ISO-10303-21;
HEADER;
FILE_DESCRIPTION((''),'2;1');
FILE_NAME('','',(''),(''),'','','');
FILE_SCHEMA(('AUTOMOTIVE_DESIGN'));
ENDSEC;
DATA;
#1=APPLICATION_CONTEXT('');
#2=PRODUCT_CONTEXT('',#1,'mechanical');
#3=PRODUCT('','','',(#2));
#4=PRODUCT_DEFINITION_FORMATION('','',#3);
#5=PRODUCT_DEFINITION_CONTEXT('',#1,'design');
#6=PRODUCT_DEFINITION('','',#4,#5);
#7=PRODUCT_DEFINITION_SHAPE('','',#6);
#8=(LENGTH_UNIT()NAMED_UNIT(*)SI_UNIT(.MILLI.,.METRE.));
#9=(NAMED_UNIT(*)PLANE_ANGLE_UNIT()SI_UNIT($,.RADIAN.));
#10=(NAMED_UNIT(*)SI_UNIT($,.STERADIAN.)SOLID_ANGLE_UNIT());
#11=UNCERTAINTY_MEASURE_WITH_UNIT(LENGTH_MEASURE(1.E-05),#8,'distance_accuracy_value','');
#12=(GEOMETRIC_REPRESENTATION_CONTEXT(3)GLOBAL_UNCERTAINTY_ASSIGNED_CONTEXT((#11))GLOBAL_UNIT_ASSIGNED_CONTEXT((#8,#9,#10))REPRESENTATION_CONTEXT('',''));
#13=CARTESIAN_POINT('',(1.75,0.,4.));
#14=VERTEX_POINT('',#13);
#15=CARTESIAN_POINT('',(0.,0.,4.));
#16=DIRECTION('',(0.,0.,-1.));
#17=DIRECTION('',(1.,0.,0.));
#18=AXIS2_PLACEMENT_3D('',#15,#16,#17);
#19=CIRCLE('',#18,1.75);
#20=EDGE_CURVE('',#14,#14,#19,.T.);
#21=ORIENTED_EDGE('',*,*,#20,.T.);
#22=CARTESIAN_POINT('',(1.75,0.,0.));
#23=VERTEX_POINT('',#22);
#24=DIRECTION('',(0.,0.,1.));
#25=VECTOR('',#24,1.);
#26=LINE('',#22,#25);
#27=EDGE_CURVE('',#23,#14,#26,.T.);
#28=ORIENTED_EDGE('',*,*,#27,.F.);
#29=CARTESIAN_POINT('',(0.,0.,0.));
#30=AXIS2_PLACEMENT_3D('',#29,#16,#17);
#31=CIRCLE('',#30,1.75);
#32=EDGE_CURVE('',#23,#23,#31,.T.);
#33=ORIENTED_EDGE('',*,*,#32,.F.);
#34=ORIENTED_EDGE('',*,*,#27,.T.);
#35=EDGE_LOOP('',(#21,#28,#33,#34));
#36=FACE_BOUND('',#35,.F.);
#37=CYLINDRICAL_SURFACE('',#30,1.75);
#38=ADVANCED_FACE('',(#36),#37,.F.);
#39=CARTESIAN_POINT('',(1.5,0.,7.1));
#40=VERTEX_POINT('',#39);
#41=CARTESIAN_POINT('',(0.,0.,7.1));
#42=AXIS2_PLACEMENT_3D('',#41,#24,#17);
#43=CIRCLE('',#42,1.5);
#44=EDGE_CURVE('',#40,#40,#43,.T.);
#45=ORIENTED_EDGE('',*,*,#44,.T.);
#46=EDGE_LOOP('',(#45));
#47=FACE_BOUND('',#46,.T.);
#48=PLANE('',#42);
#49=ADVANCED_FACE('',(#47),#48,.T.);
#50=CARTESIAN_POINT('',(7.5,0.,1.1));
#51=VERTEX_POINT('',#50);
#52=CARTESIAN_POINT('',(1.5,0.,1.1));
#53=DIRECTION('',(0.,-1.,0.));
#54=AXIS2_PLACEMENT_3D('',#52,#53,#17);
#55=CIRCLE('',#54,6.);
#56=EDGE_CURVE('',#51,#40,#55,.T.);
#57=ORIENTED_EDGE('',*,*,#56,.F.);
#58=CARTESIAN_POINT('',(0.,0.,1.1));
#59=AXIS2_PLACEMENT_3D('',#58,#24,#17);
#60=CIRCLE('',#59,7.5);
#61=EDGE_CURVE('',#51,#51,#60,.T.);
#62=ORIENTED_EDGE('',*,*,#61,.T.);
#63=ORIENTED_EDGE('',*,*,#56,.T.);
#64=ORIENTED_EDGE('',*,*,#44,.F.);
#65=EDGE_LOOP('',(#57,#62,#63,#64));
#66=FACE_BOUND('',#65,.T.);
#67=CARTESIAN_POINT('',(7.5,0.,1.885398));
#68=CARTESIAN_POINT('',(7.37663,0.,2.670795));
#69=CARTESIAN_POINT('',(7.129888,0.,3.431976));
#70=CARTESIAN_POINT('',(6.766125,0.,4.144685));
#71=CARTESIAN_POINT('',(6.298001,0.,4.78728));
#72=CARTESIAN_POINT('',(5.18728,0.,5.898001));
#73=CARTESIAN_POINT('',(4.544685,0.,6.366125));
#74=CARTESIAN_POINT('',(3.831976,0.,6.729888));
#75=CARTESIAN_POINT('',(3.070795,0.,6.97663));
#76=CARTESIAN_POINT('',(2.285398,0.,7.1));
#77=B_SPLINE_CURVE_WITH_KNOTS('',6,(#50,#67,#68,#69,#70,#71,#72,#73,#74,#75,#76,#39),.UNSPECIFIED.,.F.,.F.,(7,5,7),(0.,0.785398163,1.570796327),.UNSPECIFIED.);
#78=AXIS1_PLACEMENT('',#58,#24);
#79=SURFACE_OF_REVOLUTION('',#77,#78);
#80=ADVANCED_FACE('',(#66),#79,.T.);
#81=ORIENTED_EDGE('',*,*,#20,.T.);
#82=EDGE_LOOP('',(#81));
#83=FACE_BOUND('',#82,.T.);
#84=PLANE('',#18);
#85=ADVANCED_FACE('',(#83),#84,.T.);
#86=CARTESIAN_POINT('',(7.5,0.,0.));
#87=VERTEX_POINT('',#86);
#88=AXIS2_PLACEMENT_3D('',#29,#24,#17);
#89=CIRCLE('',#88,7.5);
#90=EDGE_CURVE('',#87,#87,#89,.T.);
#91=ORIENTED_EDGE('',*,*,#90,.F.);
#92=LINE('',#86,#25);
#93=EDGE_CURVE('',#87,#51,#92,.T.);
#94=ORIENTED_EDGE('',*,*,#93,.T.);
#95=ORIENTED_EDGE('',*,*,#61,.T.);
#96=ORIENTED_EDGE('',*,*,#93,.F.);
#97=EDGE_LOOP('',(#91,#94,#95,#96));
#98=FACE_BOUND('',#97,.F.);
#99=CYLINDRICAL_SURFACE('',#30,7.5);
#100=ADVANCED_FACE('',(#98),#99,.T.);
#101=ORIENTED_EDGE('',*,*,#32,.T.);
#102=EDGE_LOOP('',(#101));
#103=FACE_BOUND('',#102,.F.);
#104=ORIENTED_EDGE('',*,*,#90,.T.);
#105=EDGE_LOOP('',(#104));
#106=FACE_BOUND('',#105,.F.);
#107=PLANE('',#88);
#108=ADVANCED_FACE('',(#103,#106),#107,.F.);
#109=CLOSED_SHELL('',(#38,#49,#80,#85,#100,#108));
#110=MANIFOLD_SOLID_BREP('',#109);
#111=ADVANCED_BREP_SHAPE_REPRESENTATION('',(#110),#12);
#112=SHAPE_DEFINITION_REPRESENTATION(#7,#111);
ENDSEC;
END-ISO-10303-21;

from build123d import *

# Parameters (mm, degrees)
F0_R     = 7.5
F1_DEPTH = 7.1
F2_R     = 1.75
F3_DEPTH = 4
F4_R     = 6


with BuildPart() as f1:
    # F0 (on Top) → F1 (new body)
    with BuildSketch(Plane.XY):
        Circle(F0_R)
    extrude(amount=F1_DEPTH)

    # F2 (on face) → F3 (cut)
    with BuildSketch(Plane(origin=(0, 0, 0), x_dir=(1, 0, 0), z_dir=(0, 0, -1))):
        Circle(F2_R)
    extrude(amount=-F3_DEPTH, mode=Mode.SUBTRACT)

    # F4
    f4_edges = [f1.edges().sort_by_distance(p)[0] for p in [
        (-7.5, 0, 7.1),
    ]]
    fillet(f4_edges, radius=F4_R)


solid = f1.part
